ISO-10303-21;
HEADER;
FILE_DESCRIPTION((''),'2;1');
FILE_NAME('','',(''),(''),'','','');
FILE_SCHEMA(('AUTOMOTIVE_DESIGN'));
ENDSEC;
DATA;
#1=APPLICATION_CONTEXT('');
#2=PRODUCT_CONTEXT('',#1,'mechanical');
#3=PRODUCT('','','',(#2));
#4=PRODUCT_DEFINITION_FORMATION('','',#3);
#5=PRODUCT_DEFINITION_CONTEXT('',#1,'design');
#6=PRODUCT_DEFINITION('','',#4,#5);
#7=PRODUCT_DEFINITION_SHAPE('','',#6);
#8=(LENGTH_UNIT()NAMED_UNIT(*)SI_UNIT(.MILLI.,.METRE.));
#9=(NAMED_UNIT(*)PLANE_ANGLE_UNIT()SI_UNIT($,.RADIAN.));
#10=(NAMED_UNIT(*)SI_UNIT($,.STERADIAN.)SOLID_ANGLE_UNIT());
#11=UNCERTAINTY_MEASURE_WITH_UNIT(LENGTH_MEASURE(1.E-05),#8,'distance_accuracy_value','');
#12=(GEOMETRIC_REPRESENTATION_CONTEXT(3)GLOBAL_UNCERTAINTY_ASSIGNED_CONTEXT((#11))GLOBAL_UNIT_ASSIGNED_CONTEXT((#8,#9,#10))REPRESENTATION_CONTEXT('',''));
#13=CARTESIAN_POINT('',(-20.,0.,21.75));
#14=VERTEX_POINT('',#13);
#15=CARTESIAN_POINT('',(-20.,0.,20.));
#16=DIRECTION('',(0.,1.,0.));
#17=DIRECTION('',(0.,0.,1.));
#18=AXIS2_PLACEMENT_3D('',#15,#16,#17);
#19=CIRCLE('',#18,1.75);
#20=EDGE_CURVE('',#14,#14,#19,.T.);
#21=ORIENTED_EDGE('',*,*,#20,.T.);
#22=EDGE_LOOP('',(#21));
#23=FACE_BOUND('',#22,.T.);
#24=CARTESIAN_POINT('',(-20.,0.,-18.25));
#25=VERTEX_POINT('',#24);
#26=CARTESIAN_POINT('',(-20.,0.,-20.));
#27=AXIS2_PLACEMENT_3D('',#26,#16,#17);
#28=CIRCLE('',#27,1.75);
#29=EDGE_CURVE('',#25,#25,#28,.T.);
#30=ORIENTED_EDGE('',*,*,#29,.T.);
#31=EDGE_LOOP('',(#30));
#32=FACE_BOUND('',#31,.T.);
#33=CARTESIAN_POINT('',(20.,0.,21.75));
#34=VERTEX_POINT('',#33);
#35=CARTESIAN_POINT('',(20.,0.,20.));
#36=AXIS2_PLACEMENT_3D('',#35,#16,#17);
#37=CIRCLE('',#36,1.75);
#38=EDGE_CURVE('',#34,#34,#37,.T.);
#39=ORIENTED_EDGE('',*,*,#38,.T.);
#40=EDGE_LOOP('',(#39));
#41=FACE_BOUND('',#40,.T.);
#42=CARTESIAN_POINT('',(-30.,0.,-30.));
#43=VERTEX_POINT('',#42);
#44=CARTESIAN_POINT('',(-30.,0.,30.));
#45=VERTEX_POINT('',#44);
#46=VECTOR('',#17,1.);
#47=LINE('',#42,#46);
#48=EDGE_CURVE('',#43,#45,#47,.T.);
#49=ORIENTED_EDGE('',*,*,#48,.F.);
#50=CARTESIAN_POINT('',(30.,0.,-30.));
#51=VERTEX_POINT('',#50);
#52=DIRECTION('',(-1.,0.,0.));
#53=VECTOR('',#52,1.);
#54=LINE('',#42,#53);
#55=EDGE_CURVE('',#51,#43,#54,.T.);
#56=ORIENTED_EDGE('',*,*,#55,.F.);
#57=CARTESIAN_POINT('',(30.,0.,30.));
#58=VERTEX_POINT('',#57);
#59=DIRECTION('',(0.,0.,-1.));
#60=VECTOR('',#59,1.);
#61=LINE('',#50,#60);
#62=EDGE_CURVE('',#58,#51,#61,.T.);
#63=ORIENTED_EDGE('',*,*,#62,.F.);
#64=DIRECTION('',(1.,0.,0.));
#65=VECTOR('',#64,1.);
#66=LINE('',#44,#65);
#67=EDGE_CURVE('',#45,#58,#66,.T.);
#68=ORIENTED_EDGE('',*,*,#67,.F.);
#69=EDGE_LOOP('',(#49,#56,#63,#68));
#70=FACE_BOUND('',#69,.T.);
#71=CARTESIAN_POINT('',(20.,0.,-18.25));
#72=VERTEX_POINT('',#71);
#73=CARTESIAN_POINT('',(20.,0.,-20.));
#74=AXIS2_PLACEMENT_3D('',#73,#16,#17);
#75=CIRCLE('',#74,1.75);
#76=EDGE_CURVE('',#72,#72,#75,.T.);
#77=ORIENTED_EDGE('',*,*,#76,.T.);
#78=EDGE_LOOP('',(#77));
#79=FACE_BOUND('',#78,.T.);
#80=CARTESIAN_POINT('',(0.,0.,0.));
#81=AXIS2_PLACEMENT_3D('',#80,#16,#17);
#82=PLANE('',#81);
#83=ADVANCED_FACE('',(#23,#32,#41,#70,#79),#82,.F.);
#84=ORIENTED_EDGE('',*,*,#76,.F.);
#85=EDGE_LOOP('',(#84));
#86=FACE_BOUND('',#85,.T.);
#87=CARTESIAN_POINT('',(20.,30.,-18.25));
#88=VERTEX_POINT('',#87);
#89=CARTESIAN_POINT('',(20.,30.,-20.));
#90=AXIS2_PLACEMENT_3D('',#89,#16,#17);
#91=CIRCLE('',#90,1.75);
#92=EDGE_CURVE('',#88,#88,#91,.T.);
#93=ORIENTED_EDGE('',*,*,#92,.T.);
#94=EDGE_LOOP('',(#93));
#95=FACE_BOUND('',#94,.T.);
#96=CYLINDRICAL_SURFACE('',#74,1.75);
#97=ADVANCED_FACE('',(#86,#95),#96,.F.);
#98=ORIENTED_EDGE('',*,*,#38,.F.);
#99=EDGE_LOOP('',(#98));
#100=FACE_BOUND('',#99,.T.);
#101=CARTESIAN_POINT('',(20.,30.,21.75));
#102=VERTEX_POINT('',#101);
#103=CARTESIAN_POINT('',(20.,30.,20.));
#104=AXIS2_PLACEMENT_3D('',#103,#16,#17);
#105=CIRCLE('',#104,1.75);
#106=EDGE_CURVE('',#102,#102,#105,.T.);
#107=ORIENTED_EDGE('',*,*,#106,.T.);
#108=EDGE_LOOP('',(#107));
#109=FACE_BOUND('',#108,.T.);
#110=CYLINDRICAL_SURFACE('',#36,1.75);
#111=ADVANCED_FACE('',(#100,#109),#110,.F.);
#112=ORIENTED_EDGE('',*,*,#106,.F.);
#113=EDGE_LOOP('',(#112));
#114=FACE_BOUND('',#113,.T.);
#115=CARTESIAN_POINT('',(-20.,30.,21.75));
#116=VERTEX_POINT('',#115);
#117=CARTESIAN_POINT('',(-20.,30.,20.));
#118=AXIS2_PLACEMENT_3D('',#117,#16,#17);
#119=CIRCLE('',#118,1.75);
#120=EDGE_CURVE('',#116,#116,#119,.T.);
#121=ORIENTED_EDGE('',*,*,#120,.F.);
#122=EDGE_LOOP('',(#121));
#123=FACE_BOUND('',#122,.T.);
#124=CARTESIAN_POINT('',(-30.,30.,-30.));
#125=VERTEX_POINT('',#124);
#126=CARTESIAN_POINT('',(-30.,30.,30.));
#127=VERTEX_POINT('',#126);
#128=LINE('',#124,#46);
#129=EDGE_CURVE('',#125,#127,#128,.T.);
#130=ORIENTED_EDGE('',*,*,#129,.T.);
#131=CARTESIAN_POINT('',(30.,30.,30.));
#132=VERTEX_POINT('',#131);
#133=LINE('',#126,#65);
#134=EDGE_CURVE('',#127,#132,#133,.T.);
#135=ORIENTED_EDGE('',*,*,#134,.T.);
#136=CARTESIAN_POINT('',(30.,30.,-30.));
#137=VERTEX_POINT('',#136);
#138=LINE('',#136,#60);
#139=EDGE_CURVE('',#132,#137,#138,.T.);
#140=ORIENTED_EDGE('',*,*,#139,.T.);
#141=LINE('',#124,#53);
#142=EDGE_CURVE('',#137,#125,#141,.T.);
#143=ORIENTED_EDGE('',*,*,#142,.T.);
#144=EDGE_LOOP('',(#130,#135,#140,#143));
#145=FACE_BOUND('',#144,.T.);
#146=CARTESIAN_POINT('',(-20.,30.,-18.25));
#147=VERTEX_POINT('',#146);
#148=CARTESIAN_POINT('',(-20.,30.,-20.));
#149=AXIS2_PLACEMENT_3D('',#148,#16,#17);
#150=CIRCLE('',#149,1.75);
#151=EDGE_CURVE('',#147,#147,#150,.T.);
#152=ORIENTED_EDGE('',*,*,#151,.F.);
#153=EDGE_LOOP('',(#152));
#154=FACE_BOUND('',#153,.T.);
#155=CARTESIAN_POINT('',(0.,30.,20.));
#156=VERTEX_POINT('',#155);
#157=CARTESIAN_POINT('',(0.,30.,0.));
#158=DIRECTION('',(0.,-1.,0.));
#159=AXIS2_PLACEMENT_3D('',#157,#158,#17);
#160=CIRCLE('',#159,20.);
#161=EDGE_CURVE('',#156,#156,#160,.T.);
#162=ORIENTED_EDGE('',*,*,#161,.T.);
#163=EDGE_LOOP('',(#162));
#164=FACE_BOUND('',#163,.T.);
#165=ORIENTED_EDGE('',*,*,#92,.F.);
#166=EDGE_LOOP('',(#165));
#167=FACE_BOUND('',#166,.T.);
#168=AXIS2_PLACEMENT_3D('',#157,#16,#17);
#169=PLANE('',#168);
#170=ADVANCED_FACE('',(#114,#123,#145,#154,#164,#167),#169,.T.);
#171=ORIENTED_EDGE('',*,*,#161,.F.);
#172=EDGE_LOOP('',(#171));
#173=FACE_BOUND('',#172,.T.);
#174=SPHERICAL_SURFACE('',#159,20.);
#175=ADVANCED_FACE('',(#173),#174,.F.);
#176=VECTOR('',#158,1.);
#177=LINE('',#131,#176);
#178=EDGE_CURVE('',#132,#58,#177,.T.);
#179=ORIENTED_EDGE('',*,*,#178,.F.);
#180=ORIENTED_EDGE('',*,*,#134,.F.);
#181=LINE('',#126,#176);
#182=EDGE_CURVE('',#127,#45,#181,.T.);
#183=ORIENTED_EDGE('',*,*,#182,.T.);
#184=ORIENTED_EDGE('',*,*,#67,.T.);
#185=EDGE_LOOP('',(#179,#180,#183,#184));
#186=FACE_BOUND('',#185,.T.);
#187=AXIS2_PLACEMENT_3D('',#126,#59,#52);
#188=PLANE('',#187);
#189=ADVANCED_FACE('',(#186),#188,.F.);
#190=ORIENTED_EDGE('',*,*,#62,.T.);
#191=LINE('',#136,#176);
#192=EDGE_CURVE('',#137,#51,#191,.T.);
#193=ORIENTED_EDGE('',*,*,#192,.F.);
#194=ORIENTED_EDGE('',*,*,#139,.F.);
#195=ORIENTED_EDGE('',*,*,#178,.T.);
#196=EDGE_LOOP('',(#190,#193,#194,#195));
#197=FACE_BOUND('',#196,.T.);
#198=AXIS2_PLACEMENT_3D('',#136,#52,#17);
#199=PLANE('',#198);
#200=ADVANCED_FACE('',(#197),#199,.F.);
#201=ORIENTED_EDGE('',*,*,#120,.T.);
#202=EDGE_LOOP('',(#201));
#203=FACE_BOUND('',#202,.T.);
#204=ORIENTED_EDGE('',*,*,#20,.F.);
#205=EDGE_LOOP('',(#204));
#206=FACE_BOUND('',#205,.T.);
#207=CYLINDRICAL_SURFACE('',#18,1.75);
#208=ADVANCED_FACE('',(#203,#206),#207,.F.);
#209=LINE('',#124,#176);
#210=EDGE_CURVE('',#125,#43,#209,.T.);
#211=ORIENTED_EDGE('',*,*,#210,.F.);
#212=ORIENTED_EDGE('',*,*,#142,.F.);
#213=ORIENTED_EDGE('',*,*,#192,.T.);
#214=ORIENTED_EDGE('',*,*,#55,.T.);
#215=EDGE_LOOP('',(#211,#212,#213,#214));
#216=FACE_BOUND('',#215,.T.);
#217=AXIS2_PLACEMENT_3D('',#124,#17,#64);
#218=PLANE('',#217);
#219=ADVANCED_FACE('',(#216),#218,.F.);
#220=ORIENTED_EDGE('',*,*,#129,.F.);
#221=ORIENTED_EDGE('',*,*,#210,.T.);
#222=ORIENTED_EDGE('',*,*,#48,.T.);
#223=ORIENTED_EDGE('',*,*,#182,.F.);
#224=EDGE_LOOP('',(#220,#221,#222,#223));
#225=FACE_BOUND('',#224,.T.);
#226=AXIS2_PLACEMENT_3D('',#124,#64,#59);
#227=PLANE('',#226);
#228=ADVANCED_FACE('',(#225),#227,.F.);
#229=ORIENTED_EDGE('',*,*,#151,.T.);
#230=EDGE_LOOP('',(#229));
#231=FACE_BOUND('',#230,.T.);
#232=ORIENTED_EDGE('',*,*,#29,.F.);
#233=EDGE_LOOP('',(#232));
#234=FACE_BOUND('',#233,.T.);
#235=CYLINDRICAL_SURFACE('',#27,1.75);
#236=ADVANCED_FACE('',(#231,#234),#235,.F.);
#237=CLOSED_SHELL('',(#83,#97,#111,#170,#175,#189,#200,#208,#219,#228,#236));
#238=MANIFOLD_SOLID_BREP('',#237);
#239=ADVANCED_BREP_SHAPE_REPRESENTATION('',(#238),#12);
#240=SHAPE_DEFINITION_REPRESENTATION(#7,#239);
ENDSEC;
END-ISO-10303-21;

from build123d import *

# Parameters (mm, degrees)
SKETCH1_W           = 60
SKETCH1_H           = 60
BOSS_EXTRUDE1_DEPTH = 30
CUT_REVOLVE1_ANGLE  = 180
SKETCH3_R           = 1.75
CUT_EXTRUDE1_DEPTH  = 30


with BuildPart() as part:
    # Sketch1 → Boss-Extrude1 (new body)
    with BuildSketch(Plane(origin=(0, 0, 0), x_dir=(1, 0, 0), z_dir=(0, 1, 0))):
        Rectangle(SKETCH1_W, SKETCH1_H)
    extrude(amount=BOSS_EXTRUDE1_DEPTH)

    # Sketch2 → Cut-Revolve1 (revolve, cut)
    with BuildSketch(Plane(origin=(0, 30, 0), x_dir=(1, 0, 0), z_dir=(0, 1, 0))):
        with BuildLine():
            Line((0, 20), (0, -20))
            ThreePointArc((0, -20), (20, 0), (0, 20))
        make_face()
    revolve(axis=Axis((0, 30, -20), (0, 0, -1)), revolution_arc=CUT_REVOLVE1_ANGLE, mode=Mode.SUBTRACT)

    # Sketch3 → Cut-Extrude1 (cut)
    with BuildSketch(Plane(origin=(0, 30, 0), x_dir=(1, 0, 0), z_dir=(0, 1, 0))):
        with Locations(Location((-20, 20, 0), (0, 0, 270))):
            Circle(SKETCH3_R)
        with Locations(Location((-20, -20, 0), (0, 0, 270))):
            Circle(SKETCH3_R)
        with Locations(Location((20, 20, 0), (0, 0, 270))):
            Circle(SKETCH3_R)
        with Locations(Location((20, -20, 0), (0, 0, 270))):
            Circle(SKETCH3_R)
    extrude(amount=-CUT_EXTRUDE1_DEPTH, mode=Mode.SUBTRACT)


solid = part.part
